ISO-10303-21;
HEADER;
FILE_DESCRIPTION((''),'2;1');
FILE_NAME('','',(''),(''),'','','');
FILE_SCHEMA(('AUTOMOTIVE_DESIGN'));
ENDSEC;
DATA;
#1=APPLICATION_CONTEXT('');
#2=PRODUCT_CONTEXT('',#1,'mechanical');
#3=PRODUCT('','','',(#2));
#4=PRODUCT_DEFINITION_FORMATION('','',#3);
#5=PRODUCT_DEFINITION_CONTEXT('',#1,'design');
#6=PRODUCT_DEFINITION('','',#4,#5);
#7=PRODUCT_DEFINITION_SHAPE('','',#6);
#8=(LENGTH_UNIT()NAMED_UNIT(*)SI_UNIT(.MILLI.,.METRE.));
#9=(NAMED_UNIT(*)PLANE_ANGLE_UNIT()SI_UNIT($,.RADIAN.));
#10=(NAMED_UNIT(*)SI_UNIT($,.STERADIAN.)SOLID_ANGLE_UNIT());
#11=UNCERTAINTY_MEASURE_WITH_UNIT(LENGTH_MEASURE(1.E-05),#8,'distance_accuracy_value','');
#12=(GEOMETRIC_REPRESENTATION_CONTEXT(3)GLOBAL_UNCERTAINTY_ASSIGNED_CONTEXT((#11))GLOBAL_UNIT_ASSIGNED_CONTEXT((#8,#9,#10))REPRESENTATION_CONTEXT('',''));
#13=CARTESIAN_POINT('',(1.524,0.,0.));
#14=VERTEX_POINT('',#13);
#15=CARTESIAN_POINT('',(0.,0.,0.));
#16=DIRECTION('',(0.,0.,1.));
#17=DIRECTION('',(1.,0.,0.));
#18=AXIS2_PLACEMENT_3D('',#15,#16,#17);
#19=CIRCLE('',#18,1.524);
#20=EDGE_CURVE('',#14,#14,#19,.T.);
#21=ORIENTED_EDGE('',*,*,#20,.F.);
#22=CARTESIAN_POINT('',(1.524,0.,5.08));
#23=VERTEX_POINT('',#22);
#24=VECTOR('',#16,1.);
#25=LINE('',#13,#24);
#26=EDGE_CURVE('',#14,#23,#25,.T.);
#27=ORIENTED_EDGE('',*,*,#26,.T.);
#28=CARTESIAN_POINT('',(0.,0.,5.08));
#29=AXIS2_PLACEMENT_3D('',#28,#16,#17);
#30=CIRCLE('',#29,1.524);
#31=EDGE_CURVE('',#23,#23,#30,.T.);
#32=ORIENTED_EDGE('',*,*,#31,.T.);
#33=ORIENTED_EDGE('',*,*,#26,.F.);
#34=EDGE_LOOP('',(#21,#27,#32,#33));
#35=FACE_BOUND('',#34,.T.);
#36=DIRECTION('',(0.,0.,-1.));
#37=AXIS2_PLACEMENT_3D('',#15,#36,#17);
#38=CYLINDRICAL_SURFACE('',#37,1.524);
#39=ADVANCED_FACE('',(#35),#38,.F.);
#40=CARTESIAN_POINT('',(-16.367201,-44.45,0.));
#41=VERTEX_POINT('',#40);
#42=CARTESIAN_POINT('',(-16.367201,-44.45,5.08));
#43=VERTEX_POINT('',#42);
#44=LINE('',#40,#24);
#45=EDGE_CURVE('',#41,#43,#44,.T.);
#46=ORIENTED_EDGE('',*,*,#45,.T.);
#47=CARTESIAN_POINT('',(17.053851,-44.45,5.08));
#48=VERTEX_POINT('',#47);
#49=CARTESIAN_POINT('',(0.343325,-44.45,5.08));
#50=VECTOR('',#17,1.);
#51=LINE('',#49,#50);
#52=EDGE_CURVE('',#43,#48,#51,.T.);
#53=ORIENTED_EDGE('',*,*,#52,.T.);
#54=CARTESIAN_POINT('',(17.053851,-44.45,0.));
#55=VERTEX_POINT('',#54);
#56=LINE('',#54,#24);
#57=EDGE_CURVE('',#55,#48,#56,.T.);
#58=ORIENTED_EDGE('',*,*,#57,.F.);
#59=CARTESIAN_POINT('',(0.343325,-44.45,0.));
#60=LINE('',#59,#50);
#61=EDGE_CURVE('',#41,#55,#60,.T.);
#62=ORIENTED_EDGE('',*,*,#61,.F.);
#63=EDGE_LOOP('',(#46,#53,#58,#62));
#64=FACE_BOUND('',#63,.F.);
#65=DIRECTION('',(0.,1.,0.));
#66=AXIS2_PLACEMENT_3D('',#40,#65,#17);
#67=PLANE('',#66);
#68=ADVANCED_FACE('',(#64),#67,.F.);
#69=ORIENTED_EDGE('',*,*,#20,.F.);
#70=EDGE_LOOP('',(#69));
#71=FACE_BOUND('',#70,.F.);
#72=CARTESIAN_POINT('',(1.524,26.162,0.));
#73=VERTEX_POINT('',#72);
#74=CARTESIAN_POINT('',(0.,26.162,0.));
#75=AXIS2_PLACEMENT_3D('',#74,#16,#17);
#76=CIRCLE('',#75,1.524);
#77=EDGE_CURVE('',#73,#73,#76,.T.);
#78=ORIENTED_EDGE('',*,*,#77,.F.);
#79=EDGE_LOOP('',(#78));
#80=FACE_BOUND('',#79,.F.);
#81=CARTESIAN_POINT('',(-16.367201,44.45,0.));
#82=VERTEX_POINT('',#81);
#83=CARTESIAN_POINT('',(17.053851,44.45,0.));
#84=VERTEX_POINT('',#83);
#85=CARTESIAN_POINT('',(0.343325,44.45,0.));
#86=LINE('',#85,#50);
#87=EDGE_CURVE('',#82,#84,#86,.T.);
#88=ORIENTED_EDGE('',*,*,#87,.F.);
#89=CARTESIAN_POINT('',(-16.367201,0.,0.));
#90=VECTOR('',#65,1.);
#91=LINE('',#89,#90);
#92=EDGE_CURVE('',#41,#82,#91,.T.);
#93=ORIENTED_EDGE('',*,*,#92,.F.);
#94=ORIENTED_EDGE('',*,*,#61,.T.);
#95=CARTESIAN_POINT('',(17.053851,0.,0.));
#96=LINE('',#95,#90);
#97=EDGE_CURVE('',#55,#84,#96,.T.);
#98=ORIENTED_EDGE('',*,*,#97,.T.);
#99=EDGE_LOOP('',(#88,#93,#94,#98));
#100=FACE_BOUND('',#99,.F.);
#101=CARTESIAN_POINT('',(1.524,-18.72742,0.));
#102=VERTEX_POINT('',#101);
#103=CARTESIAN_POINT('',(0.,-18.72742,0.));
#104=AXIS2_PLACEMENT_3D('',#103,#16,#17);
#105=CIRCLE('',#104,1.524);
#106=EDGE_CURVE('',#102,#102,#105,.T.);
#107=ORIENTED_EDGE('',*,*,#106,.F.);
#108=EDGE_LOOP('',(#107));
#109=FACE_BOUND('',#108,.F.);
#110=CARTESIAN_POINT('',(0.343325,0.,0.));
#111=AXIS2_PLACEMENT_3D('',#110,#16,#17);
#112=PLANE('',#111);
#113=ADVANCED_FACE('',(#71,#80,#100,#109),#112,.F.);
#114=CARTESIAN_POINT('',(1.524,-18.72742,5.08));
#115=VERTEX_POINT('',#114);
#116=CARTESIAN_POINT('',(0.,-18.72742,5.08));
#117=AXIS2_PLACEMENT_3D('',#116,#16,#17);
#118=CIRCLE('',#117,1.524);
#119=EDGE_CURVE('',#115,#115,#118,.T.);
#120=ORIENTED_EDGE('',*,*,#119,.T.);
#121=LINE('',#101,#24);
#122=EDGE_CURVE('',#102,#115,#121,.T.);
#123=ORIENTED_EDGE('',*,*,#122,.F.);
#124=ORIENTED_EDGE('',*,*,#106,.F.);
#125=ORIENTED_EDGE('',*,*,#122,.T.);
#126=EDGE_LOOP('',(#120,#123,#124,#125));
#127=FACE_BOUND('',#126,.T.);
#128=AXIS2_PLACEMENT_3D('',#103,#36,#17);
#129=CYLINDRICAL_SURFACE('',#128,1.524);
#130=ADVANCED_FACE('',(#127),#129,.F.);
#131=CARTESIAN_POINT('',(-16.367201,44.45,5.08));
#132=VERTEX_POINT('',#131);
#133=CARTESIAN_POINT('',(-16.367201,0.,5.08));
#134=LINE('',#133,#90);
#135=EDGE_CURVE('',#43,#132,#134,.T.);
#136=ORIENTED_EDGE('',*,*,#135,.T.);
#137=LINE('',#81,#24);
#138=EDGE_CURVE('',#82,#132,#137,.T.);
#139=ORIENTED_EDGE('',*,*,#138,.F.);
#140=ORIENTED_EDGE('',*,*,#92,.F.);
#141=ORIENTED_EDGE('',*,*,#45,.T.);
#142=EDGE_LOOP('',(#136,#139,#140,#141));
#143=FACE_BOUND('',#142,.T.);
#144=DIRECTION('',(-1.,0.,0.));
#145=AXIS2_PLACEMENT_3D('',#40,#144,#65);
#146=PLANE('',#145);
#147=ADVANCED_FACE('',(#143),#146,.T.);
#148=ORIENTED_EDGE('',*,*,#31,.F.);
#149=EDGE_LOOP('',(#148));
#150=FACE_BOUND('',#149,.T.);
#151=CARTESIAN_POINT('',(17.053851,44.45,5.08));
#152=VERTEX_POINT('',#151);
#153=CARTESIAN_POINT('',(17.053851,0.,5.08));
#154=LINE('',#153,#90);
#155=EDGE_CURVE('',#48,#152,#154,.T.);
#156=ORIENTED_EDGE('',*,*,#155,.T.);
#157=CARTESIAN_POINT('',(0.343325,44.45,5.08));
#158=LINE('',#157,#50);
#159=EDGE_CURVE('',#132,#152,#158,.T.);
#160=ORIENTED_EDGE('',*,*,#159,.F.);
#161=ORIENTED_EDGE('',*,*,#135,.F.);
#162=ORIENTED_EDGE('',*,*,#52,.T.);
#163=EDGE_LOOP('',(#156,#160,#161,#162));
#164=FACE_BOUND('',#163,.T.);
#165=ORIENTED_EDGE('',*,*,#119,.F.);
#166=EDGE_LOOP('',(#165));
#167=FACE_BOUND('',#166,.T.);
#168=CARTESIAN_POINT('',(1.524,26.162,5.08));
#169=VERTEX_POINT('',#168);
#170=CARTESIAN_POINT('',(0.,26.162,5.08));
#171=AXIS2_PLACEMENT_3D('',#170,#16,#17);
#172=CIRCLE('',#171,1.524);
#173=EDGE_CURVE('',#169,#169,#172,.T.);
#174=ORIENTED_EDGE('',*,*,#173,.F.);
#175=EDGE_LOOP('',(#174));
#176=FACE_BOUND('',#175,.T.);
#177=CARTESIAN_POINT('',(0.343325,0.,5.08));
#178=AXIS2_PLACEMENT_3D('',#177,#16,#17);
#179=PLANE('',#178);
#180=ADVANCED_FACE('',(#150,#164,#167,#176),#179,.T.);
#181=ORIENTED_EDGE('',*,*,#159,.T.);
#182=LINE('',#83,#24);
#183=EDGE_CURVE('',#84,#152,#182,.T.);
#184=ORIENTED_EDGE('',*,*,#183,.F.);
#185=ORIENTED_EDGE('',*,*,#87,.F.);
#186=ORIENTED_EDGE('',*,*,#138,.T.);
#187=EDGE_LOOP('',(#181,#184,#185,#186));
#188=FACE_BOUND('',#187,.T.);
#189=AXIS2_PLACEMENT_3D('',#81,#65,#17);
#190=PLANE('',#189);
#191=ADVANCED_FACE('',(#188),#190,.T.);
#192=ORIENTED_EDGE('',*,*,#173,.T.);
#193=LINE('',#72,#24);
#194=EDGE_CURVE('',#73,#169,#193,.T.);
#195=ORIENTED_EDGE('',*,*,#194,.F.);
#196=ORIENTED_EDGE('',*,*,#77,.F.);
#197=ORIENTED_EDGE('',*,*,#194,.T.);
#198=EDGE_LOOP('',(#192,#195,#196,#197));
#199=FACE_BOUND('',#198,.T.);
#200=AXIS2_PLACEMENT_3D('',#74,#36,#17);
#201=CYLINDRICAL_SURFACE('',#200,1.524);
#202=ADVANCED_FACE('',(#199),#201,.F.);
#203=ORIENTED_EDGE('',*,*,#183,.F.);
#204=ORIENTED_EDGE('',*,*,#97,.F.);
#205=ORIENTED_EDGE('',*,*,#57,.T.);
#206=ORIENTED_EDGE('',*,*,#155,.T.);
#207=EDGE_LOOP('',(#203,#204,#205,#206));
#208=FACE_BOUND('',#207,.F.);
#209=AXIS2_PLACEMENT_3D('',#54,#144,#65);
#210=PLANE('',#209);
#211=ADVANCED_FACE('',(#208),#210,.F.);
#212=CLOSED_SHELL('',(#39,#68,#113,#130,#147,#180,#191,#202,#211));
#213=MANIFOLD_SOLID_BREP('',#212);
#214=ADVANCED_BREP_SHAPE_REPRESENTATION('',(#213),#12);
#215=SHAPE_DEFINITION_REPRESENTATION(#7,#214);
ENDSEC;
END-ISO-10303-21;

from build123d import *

# Parameters (mm, degrees)
F0_W     = 33.421052
F0_H     = 88.9
F0_R     = 1.524
F1_DEPTH = 5.08


with BuildPart() as f1:
    # F0 (on Top) → F1 (new body)
    with BuildSketch(Plane.XY):
        with Locations((0.343325, 0)):
            Rectangle(F0_W, F0_H)
        with Locations((0, -18.72742)):
            Circle(F0_R, mode=Mode.SUBTRACT)
        Circle(F0_R, mode=Mode.SUBTRACT)
        with Locations((0, 26.162)):
            Circle(F0_R, mode=Mode.SUBTRACT)
    extrude(amount=F1_DEPTH)


solid = f1.part
